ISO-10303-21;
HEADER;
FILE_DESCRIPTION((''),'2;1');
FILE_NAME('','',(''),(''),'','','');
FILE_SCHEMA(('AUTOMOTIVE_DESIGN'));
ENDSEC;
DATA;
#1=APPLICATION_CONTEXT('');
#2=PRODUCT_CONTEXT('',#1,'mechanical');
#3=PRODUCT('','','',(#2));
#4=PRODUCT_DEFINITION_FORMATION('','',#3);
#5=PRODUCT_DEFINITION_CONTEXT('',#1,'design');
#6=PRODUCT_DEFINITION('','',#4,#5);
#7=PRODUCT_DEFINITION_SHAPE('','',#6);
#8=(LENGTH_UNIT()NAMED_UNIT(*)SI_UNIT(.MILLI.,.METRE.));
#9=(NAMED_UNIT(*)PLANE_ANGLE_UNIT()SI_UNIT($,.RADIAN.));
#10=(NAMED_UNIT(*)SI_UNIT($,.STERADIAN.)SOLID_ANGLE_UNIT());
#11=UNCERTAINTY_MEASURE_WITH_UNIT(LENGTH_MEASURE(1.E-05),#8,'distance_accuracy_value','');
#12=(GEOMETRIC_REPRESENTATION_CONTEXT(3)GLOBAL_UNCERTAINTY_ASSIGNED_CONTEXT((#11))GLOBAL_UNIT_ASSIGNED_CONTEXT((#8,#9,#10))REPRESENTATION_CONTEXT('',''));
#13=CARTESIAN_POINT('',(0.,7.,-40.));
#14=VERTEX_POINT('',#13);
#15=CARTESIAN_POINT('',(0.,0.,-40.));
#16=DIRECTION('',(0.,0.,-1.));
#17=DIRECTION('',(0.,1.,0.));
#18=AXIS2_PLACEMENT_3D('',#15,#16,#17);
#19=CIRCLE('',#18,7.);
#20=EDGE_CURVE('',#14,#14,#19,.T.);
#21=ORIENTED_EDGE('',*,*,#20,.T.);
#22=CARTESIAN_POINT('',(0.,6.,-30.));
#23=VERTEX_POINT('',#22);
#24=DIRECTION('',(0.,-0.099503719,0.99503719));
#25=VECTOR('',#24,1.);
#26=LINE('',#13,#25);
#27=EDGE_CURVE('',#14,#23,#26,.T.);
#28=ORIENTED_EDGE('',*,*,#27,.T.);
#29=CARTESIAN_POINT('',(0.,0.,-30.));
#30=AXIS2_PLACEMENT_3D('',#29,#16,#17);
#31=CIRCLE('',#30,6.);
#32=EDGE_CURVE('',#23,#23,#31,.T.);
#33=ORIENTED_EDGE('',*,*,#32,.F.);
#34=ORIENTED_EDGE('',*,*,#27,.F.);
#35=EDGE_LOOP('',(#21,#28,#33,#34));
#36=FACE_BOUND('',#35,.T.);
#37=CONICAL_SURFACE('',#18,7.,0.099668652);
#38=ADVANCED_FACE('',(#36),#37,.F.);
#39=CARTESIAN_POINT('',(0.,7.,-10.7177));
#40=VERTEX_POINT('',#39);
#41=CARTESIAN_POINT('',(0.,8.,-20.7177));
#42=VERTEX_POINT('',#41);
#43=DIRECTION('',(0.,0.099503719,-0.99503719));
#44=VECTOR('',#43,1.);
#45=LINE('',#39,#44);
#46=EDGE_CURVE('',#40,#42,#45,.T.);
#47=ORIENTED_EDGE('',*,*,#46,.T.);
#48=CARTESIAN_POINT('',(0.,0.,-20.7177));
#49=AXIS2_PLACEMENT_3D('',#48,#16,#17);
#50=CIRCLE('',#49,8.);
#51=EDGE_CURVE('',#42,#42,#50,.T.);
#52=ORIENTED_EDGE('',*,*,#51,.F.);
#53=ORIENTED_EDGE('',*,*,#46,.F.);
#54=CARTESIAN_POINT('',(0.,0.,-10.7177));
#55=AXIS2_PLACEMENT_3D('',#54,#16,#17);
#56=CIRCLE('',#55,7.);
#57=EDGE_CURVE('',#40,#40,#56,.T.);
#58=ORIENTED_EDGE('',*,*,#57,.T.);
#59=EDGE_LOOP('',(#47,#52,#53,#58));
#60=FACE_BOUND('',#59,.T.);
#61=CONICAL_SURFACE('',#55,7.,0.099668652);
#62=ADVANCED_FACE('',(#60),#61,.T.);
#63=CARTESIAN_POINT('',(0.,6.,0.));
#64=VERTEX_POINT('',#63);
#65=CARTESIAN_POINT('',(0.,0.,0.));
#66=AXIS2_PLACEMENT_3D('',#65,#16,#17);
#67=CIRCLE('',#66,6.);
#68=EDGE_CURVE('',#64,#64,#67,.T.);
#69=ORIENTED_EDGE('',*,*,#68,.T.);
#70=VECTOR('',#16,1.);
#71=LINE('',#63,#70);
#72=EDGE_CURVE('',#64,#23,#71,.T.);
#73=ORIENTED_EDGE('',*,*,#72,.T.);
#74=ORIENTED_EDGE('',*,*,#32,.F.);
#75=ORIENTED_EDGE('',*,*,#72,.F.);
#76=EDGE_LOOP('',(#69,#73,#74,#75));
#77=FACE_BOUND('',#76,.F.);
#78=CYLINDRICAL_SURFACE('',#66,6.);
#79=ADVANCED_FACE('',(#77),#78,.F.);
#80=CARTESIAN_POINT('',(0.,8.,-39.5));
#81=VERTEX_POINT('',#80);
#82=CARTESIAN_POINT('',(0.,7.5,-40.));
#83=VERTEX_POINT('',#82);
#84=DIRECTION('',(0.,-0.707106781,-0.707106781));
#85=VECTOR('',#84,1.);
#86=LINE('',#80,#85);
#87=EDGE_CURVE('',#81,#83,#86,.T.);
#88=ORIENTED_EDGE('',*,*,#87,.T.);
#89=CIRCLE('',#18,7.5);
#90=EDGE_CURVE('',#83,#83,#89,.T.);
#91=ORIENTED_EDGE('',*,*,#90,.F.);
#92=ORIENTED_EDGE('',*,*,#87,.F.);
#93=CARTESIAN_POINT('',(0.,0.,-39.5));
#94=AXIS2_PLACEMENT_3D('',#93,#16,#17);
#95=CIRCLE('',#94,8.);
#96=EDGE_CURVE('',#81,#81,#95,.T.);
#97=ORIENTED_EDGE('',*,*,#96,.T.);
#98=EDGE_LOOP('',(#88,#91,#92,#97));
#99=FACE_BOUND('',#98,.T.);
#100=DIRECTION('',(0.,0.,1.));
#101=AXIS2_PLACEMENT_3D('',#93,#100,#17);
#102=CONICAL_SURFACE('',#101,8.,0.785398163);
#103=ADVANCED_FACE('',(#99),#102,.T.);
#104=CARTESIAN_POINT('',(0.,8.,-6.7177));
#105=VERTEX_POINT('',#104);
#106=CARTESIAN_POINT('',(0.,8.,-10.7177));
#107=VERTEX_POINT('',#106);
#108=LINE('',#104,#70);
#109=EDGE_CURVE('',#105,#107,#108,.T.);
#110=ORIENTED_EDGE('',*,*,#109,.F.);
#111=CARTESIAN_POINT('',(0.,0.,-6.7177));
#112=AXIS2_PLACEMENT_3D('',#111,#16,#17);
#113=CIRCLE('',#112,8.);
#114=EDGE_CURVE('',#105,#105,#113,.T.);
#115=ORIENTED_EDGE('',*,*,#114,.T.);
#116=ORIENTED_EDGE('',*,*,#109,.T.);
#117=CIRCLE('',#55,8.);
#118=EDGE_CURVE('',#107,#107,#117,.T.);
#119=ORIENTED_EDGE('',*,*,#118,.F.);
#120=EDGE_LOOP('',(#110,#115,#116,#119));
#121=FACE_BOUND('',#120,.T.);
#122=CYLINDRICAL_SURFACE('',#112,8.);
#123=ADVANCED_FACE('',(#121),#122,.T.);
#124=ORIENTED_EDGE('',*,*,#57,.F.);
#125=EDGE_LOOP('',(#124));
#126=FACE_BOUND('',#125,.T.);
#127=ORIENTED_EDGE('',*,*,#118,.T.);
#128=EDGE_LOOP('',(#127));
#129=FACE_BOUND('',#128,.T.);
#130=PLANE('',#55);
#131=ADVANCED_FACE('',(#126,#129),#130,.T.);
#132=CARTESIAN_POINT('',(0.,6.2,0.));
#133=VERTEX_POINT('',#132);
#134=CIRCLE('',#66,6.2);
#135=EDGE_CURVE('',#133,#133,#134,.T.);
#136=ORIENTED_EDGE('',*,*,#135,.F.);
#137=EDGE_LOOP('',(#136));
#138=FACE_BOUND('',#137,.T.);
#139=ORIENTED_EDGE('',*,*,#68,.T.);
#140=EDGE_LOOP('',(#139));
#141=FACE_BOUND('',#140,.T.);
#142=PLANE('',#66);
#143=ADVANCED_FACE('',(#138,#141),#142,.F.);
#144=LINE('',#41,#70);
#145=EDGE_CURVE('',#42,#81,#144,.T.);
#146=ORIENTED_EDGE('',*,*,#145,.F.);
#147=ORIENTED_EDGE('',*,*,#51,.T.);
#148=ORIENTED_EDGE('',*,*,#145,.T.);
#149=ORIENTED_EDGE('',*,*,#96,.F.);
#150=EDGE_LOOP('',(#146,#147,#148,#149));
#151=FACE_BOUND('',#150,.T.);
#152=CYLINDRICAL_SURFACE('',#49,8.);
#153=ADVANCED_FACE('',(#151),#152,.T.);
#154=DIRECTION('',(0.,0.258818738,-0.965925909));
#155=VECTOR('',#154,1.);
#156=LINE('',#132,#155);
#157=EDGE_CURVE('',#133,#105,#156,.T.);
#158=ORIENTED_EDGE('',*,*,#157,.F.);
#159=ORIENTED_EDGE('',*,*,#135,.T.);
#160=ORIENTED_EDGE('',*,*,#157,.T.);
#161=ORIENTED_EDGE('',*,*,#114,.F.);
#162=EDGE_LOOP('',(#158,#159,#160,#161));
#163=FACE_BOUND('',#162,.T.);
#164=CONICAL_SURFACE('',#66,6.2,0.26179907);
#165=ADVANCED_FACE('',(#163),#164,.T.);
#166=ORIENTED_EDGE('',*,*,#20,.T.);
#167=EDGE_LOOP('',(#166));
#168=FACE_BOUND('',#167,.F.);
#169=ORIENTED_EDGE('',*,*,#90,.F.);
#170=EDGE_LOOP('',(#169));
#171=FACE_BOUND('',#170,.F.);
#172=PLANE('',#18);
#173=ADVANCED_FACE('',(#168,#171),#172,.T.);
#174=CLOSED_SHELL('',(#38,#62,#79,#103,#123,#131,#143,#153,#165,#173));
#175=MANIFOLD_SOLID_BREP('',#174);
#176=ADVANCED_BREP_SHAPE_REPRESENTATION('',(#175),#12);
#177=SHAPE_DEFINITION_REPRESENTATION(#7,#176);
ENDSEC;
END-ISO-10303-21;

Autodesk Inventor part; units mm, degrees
ref_plane "YZ Plane" through (0, 0, 0) normal (1, 0, 0) x (0, 1, 0)
ref_plane "XZ Plane" through (0, 0, 0) normal (0, 1, 0) x (-1, 0, 0)
ref_plane "XY Plane" through (0, 0, 0) normal (0, 0, 1) x (1, 0, 0)
sketch "Esquisse1" plane through (0, 0, 0) normal (1, 0, 0) x (0, 1, 0)
  line L0 (0, 0) -> (0, -10.1548)
  line L1 (6, 0) -> (6, -30)
  line L2 (6, 0) -> (6.2, 0)
  line L3 (6.2, 0) -> (8, -6.7177)
  line L4 (8, -6.7177) -> (8, -10.7177)
  line L5 (7, -40) -> (8, -40)
  line L6 (7, -40) -> (6, -30)
  line L7 (8, -10.7177) -> (7, -10.7177)
  line L8 (7, -10.7177) -> (8, -20.7177)
  line L9 (8, -20.7177) -> (8, -40)
  dimension "d4" = 12
  dimension "d5" = 0.2
  dimension "d6" = 40
  dimension "d10" = 165
  dimension "d11" = 16
  dimension "d15" = 10
  dimension "d16" = 14
  dimension "d17" = 10
  dimension "d18" = 1
  dimension "d19" = 4
revolve "Révolution1" add sketch "Esquisse1" angle 360 about axis through (0, 0, 0) along (0, 0, -1)
chamfer "Chanfrein1" distance 0.5 angle 45 1 edges at (0, -8, -40)
properties part number "douille"
